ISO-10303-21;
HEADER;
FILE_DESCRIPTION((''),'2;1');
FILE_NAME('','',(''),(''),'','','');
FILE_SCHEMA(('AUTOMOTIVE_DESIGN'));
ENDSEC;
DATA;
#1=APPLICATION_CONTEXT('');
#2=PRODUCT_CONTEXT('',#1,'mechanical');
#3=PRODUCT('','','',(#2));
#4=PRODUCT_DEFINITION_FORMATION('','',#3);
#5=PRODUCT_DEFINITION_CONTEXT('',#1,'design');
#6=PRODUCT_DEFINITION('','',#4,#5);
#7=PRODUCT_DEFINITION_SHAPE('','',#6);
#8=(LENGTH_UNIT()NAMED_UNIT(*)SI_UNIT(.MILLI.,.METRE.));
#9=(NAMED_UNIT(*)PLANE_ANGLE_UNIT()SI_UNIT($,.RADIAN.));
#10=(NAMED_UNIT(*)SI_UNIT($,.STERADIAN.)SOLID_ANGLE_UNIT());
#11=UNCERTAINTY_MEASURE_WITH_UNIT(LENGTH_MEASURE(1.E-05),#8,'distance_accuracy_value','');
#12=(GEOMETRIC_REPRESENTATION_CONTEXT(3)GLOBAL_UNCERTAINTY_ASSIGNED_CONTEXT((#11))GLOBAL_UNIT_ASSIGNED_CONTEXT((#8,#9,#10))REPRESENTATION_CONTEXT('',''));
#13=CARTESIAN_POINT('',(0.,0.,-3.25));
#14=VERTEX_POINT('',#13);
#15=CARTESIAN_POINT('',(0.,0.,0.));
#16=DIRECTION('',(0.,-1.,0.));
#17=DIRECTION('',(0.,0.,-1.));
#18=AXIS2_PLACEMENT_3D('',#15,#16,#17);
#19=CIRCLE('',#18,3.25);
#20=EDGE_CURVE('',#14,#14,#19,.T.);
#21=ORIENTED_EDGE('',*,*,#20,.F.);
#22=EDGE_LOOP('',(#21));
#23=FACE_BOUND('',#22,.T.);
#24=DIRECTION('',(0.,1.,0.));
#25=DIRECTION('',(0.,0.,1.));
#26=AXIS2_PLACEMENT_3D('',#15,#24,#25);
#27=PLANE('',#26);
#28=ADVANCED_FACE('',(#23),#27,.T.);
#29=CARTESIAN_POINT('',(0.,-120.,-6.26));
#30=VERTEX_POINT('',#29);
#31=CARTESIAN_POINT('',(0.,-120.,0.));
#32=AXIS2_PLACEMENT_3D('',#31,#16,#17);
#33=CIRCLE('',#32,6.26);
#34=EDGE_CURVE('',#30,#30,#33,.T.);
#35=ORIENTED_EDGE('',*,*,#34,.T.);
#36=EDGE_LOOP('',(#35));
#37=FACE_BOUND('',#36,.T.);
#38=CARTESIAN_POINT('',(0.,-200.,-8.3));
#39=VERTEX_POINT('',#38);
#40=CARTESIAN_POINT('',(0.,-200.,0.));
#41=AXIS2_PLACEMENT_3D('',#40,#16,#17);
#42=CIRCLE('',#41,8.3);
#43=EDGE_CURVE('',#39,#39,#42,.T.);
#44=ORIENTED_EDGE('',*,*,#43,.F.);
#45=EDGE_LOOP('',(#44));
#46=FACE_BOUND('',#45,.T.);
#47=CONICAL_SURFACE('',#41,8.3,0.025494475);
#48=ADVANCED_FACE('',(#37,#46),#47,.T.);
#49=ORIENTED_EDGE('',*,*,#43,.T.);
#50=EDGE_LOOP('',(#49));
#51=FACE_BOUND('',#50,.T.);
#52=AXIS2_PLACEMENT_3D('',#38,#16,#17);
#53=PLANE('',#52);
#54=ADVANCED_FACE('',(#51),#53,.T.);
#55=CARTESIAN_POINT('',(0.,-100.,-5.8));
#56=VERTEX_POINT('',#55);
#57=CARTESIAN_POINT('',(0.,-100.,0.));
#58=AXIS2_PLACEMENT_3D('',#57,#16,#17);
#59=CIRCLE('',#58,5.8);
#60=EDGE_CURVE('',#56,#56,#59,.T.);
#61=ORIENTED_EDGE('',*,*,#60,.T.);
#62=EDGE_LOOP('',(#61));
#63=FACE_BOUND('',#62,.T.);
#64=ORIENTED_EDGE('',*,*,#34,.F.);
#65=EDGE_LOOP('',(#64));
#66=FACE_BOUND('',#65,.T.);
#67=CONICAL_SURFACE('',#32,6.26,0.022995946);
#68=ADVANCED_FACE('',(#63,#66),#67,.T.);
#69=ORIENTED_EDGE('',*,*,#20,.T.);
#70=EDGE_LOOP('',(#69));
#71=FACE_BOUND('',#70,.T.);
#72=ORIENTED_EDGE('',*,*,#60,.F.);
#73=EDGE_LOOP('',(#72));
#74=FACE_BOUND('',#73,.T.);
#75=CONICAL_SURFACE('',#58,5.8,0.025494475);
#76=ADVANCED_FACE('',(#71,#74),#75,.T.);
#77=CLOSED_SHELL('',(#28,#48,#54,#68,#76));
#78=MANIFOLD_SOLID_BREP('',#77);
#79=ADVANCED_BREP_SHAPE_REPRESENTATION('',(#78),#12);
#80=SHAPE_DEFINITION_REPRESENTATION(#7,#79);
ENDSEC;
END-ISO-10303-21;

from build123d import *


with BuildPart() as part:
    # Croquis1 → Revolución1 (revolve)
    with BuildSketch(Plane(origin=(0, 0, 0), x_dir=(0, 0, -1), z_dir=(1, 0, 0))):
        Polygon((0, 0), (3.25, 0), (5.8, -100), (6.26, -120), (8.3, -200), (0, -200), align=None)
    revolve(axis=Axis((0, -200, 0), (0, 1, 0)))


solid = part.part
